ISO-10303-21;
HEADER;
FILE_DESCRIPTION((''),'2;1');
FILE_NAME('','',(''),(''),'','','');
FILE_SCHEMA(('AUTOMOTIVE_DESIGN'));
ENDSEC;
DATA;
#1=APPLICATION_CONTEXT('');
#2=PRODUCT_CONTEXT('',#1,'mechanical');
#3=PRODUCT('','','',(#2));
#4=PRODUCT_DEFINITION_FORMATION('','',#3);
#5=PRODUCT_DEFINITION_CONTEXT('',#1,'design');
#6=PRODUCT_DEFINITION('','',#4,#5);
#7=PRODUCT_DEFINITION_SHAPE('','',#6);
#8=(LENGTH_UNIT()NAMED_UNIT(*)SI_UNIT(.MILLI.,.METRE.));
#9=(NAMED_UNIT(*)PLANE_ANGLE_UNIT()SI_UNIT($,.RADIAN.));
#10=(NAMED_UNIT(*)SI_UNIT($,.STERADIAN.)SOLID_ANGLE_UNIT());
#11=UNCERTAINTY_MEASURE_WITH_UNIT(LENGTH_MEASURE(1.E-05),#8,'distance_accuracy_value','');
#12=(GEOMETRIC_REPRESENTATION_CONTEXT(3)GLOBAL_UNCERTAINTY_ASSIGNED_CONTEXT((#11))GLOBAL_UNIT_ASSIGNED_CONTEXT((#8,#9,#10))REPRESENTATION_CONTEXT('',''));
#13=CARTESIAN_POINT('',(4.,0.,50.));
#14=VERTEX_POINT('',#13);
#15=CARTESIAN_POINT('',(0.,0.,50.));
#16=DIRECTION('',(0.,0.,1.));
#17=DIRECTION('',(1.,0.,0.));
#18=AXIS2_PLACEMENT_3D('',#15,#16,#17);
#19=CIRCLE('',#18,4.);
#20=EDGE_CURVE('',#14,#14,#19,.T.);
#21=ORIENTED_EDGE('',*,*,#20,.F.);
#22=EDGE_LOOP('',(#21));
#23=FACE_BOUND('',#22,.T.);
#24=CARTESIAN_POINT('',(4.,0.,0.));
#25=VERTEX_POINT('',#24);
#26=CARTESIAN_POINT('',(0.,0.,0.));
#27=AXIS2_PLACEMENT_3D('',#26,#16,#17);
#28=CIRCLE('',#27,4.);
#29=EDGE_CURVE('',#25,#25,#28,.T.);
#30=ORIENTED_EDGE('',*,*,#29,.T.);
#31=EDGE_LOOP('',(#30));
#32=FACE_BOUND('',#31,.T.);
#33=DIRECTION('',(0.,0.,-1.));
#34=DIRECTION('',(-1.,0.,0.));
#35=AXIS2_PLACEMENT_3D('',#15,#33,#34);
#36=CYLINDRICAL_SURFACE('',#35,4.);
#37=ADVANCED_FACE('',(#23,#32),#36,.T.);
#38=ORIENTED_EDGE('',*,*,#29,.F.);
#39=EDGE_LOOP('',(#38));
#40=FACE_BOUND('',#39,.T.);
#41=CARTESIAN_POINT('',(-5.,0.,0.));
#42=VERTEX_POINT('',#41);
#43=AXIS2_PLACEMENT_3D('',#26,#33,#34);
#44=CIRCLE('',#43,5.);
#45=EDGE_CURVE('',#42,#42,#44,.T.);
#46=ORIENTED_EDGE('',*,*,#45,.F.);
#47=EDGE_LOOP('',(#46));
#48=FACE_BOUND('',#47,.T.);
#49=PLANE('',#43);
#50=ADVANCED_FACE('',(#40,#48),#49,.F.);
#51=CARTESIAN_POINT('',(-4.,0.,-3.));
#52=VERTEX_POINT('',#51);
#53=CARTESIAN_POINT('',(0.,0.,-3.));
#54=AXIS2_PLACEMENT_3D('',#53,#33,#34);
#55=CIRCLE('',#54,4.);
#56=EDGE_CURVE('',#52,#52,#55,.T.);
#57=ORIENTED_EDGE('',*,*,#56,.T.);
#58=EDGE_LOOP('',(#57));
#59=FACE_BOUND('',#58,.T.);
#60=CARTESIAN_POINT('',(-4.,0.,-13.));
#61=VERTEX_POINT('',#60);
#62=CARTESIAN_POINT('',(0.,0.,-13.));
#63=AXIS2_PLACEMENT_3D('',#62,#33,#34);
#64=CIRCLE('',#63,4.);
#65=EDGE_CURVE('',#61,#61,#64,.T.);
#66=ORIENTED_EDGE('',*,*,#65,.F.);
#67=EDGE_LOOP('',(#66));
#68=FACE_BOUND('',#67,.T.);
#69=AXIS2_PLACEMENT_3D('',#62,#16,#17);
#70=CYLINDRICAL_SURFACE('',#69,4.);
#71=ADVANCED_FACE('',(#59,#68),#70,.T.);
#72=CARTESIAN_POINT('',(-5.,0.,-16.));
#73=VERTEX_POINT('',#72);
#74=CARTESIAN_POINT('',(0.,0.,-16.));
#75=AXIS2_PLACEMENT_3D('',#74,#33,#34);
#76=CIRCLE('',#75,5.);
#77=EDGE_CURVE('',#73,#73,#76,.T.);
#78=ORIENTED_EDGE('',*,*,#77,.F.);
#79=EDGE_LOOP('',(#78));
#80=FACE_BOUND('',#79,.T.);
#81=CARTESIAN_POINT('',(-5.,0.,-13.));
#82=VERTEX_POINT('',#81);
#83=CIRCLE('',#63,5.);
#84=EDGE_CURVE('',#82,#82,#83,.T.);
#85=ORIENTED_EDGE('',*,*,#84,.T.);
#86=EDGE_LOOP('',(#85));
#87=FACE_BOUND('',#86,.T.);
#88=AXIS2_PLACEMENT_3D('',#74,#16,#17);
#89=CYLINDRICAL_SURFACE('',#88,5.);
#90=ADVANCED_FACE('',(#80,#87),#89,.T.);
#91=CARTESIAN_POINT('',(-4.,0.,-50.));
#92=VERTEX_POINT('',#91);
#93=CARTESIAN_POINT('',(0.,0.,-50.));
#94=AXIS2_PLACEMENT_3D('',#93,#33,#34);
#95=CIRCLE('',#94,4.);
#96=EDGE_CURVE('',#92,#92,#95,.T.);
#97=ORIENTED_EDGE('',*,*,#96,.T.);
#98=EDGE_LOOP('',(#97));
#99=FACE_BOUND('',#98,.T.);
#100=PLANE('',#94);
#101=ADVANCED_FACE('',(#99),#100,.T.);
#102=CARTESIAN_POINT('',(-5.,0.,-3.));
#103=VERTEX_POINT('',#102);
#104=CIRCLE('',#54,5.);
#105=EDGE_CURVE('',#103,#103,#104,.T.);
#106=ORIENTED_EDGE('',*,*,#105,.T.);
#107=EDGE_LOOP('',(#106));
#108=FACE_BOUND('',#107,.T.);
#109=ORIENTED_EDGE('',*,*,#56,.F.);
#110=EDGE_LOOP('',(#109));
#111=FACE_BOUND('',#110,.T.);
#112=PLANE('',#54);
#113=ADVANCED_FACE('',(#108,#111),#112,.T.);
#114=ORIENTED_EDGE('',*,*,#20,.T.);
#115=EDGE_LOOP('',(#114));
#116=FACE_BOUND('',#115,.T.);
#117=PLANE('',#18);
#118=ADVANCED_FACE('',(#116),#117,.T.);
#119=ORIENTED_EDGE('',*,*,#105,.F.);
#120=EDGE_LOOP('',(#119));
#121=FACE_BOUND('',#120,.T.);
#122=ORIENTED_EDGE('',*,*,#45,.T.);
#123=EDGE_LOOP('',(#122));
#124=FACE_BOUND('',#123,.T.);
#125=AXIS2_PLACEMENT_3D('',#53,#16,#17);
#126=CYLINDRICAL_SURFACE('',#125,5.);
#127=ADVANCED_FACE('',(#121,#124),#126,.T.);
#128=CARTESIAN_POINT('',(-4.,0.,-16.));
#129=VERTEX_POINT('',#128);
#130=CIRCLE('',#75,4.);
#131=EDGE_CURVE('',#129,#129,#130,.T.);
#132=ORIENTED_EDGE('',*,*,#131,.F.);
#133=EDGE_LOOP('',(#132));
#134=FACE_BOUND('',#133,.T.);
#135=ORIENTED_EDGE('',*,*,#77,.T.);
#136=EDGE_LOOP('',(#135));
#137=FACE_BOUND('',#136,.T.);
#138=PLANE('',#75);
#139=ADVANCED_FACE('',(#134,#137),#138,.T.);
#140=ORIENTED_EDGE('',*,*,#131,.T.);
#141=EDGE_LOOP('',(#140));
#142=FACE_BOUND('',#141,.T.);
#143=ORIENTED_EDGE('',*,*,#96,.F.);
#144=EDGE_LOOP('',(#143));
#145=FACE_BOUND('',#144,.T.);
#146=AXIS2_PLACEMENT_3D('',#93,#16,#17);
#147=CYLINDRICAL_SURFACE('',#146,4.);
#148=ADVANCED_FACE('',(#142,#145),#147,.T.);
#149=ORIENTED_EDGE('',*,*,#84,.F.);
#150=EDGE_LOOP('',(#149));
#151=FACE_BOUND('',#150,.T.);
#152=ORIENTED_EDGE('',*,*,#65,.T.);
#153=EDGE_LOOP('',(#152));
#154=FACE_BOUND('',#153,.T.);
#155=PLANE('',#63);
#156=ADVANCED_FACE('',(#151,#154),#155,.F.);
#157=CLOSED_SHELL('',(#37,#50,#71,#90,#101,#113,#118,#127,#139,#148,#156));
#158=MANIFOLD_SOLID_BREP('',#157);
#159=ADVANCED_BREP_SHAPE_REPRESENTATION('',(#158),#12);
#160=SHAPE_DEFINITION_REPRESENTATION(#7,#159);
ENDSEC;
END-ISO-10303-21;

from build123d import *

# Parameters (mm, degrees)
SKETCH1_R           = 4
BOSS_EXTRUDE1_DEPTH = 50
SKETCH2_R           = 5
BOSS_EXTRUDE2_DEPTH = 3
SKETCH3_R           = 4
BOSS_EXTRUDE3_DEPTH = 10
SKETCH4_R           = 5
BOSS_EXTRUDE4_DEPTH = 3
SKETCH5_R           = 4
BOSS_EXTRUDE5_DEPTH = 34


with BuildPart() as part:
    # Sketch1 → Boss-Extrude1 (new body)
    with BuildSketch(Plane.XY):
        Circle(SKETCH1_R)
    extrude(amount=BOSS_EXTRUDE1_DEPTH)

    # Sketch2 → Boss-Extrude2 (add)
    with BuildSketch(Plane(origin=(0, 0, 0), x_dir=(-1, 0, 0), z_dir=(0, 0, -1))):
        Circle(SKETCH2_R)
    extrude(amount=BOSS_EXTRUDE2_DEPTH)

    # Sketch3 → Boss-Extrude3 (add)
    with BuildSketch(Plane(origin=(0, 0, -3), x_dir=(-1, 0, 0), z_dir=(0, 0, -1))):
        Circle(SKETCH3_R)
    extrude(amount=BOSS_EXTRUDE3_DEPTH)

    # Sketch4 → Boss-Extrude4 (add)
    with BuildSketch(Plane(origin=(0, 0, -13), x_dir=(-1, 0, 0), z_dir=(0, 0, -1))):
        Circle(SKETCH4_R)
    extrude(amount=BOSS_EXTRUDE4_DEPTH)

    # Sketch5 → Boss-Extrude5 (add)
    with BuildSketch(Plane(origin=(0, 0, -16), x_dir=(-1, 0, 0), z_dir=(0, 0, -1))):
        Circle(SKETCH5_R)
    extrude(amount=BOSS_EXTRUDE5_DEPTH)


solid = part.part
